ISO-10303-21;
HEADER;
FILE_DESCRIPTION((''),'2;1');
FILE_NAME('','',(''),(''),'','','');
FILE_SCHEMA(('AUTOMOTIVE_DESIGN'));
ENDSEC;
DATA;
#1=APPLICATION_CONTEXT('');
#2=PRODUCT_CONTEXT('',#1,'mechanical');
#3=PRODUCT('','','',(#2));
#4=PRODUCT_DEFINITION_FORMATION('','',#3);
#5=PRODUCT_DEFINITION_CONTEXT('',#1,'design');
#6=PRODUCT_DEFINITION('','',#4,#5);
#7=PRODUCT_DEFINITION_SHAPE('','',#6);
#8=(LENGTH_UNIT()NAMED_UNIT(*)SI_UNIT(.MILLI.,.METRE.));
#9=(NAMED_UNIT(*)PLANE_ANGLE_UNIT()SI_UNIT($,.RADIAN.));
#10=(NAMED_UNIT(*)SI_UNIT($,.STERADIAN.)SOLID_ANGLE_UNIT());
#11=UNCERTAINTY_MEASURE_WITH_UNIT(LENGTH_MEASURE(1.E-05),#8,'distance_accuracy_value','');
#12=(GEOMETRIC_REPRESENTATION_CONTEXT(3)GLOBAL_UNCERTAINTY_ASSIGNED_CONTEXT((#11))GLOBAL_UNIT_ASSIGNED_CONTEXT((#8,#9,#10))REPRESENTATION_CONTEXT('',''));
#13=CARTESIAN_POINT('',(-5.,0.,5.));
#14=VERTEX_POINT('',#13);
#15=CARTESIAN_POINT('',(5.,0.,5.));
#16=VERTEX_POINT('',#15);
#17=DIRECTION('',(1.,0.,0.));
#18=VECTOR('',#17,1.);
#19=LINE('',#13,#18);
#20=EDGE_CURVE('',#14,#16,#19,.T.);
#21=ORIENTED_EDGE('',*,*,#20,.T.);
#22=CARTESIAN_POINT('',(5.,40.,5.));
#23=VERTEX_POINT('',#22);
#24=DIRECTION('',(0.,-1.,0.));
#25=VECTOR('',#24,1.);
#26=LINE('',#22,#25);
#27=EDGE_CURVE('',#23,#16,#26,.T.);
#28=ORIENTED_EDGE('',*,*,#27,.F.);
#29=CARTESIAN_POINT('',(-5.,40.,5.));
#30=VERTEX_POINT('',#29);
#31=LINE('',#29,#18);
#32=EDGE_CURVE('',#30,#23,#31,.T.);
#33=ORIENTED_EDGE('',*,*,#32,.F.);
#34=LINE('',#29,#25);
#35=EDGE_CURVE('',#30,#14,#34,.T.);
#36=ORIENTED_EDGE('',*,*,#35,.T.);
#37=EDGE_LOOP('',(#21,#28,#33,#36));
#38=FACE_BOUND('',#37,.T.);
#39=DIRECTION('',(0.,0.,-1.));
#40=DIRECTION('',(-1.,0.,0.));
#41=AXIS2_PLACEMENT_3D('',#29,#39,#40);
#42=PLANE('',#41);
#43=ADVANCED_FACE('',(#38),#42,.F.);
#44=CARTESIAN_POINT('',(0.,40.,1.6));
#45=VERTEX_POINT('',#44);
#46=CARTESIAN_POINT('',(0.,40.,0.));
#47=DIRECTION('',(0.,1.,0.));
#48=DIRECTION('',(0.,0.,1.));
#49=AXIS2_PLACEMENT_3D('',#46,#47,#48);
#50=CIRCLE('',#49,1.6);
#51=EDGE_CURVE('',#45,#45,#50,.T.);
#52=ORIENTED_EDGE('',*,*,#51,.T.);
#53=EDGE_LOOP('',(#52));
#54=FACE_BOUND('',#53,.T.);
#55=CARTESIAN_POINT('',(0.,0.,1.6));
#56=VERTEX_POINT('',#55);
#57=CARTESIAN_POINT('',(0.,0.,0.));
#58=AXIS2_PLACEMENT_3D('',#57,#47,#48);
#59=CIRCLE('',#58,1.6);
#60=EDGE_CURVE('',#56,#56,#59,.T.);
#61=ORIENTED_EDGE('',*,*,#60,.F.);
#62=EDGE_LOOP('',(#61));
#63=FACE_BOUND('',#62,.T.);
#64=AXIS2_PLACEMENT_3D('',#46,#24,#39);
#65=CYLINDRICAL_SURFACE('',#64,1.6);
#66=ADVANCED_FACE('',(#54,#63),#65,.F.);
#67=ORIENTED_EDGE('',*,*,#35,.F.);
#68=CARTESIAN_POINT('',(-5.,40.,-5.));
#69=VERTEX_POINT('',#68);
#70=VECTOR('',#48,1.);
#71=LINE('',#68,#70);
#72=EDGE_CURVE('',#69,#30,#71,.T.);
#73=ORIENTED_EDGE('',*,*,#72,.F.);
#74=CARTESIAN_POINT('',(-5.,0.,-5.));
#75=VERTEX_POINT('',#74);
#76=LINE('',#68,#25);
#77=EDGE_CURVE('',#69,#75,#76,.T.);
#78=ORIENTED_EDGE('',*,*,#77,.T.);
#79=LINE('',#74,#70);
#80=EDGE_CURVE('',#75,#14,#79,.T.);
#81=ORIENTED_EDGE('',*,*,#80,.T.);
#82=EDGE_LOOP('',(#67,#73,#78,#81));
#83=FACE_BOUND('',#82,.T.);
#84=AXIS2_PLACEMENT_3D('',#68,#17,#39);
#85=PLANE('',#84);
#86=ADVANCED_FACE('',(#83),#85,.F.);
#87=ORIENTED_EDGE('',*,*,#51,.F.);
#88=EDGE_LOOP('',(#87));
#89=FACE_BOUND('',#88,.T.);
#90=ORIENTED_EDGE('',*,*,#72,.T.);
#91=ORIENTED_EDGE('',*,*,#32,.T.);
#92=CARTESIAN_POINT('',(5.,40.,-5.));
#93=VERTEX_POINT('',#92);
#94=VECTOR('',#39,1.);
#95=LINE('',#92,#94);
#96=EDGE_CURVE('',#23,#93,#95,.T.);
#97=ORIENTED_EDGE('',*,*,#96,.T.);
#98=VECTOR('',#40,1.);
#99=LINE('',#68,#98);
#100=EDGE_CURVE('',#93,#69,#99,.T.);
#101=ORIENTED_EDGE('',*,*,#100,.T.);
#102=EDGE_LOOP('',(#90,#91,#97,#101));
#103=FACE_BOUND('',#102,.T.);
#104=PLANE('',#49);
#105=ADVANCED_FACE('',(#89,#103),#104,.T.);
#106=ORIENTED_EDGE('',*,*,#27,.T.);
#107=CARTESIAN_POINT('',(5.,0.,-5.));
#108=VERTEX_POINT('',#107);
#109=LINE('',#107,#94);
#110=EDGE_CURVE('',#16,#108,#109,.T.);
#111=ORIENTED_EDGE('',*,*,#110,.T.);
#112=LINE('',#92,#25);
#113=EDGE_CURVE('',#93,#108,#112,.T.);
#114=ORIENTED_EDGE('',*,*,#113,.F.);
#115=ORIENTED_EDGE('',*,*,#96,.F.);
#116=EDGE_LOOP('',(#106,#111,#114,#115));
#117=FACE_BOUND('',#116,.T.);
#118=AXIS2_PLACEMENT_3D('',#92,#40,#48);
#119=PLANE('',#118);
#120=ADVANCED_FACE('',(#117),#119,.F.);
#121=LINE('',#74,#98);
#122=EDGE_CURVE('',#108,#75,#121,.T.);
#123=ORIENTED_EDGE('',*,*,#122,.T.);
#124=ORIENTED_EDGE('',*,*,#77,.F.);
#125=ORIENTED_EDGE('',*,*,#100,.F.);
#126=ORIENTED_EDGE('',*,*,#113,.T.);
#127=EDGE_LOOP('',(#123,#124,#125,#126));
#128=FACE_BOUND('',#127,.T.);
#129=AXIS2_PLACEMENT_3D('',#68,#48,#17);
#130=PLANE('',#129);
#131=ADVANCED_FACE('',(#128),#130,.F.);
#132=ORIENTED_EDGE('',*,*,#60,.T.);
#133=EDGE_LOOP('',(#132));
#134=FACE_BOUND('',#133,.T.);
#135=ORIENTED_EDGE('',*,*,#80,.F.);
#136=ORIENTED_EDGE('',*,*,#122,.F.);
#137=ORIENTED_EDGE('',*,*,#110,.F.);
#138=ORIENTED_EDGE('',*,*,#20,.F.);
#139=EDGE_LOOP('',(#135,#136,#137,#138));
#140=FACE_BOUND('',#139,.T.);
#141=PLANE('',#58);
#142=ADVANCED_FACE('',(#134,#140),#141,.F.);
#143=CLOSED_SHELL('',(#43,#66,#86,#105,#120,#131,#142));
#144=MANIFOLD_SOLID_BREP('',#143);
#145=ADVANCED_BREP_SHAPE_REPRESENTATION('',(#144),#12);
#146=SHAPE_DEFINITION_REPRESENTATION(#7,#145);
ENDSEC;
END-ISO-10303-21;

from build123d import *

# Parameters (mm, degrees)
SKETCH_1_W      = 10
SKETCH_1_H      = 10
SKETCH_1_R      = 1.6
EXTRUDE_1_DEPTH = 40


with BuildPart() as part:
    # 草图1 → 凸台-拉伸1 (new body)
    with BuildSketch(Plane(origin=(0, 0, 0), x_dir=(1, 0, 0), z_dir=(0, 1, 0))):
        Rectangle(SKETCH_1_W, SKETCH_1_H)
        with Locations(Location((0, 0, 0), (0, 0, 270))):
            Circle(SKETCH_1_R, mode=Mode.SUBTRACT)
    extrude(amount=EXTRUDE_1_DEPTH)


solid = part.part
